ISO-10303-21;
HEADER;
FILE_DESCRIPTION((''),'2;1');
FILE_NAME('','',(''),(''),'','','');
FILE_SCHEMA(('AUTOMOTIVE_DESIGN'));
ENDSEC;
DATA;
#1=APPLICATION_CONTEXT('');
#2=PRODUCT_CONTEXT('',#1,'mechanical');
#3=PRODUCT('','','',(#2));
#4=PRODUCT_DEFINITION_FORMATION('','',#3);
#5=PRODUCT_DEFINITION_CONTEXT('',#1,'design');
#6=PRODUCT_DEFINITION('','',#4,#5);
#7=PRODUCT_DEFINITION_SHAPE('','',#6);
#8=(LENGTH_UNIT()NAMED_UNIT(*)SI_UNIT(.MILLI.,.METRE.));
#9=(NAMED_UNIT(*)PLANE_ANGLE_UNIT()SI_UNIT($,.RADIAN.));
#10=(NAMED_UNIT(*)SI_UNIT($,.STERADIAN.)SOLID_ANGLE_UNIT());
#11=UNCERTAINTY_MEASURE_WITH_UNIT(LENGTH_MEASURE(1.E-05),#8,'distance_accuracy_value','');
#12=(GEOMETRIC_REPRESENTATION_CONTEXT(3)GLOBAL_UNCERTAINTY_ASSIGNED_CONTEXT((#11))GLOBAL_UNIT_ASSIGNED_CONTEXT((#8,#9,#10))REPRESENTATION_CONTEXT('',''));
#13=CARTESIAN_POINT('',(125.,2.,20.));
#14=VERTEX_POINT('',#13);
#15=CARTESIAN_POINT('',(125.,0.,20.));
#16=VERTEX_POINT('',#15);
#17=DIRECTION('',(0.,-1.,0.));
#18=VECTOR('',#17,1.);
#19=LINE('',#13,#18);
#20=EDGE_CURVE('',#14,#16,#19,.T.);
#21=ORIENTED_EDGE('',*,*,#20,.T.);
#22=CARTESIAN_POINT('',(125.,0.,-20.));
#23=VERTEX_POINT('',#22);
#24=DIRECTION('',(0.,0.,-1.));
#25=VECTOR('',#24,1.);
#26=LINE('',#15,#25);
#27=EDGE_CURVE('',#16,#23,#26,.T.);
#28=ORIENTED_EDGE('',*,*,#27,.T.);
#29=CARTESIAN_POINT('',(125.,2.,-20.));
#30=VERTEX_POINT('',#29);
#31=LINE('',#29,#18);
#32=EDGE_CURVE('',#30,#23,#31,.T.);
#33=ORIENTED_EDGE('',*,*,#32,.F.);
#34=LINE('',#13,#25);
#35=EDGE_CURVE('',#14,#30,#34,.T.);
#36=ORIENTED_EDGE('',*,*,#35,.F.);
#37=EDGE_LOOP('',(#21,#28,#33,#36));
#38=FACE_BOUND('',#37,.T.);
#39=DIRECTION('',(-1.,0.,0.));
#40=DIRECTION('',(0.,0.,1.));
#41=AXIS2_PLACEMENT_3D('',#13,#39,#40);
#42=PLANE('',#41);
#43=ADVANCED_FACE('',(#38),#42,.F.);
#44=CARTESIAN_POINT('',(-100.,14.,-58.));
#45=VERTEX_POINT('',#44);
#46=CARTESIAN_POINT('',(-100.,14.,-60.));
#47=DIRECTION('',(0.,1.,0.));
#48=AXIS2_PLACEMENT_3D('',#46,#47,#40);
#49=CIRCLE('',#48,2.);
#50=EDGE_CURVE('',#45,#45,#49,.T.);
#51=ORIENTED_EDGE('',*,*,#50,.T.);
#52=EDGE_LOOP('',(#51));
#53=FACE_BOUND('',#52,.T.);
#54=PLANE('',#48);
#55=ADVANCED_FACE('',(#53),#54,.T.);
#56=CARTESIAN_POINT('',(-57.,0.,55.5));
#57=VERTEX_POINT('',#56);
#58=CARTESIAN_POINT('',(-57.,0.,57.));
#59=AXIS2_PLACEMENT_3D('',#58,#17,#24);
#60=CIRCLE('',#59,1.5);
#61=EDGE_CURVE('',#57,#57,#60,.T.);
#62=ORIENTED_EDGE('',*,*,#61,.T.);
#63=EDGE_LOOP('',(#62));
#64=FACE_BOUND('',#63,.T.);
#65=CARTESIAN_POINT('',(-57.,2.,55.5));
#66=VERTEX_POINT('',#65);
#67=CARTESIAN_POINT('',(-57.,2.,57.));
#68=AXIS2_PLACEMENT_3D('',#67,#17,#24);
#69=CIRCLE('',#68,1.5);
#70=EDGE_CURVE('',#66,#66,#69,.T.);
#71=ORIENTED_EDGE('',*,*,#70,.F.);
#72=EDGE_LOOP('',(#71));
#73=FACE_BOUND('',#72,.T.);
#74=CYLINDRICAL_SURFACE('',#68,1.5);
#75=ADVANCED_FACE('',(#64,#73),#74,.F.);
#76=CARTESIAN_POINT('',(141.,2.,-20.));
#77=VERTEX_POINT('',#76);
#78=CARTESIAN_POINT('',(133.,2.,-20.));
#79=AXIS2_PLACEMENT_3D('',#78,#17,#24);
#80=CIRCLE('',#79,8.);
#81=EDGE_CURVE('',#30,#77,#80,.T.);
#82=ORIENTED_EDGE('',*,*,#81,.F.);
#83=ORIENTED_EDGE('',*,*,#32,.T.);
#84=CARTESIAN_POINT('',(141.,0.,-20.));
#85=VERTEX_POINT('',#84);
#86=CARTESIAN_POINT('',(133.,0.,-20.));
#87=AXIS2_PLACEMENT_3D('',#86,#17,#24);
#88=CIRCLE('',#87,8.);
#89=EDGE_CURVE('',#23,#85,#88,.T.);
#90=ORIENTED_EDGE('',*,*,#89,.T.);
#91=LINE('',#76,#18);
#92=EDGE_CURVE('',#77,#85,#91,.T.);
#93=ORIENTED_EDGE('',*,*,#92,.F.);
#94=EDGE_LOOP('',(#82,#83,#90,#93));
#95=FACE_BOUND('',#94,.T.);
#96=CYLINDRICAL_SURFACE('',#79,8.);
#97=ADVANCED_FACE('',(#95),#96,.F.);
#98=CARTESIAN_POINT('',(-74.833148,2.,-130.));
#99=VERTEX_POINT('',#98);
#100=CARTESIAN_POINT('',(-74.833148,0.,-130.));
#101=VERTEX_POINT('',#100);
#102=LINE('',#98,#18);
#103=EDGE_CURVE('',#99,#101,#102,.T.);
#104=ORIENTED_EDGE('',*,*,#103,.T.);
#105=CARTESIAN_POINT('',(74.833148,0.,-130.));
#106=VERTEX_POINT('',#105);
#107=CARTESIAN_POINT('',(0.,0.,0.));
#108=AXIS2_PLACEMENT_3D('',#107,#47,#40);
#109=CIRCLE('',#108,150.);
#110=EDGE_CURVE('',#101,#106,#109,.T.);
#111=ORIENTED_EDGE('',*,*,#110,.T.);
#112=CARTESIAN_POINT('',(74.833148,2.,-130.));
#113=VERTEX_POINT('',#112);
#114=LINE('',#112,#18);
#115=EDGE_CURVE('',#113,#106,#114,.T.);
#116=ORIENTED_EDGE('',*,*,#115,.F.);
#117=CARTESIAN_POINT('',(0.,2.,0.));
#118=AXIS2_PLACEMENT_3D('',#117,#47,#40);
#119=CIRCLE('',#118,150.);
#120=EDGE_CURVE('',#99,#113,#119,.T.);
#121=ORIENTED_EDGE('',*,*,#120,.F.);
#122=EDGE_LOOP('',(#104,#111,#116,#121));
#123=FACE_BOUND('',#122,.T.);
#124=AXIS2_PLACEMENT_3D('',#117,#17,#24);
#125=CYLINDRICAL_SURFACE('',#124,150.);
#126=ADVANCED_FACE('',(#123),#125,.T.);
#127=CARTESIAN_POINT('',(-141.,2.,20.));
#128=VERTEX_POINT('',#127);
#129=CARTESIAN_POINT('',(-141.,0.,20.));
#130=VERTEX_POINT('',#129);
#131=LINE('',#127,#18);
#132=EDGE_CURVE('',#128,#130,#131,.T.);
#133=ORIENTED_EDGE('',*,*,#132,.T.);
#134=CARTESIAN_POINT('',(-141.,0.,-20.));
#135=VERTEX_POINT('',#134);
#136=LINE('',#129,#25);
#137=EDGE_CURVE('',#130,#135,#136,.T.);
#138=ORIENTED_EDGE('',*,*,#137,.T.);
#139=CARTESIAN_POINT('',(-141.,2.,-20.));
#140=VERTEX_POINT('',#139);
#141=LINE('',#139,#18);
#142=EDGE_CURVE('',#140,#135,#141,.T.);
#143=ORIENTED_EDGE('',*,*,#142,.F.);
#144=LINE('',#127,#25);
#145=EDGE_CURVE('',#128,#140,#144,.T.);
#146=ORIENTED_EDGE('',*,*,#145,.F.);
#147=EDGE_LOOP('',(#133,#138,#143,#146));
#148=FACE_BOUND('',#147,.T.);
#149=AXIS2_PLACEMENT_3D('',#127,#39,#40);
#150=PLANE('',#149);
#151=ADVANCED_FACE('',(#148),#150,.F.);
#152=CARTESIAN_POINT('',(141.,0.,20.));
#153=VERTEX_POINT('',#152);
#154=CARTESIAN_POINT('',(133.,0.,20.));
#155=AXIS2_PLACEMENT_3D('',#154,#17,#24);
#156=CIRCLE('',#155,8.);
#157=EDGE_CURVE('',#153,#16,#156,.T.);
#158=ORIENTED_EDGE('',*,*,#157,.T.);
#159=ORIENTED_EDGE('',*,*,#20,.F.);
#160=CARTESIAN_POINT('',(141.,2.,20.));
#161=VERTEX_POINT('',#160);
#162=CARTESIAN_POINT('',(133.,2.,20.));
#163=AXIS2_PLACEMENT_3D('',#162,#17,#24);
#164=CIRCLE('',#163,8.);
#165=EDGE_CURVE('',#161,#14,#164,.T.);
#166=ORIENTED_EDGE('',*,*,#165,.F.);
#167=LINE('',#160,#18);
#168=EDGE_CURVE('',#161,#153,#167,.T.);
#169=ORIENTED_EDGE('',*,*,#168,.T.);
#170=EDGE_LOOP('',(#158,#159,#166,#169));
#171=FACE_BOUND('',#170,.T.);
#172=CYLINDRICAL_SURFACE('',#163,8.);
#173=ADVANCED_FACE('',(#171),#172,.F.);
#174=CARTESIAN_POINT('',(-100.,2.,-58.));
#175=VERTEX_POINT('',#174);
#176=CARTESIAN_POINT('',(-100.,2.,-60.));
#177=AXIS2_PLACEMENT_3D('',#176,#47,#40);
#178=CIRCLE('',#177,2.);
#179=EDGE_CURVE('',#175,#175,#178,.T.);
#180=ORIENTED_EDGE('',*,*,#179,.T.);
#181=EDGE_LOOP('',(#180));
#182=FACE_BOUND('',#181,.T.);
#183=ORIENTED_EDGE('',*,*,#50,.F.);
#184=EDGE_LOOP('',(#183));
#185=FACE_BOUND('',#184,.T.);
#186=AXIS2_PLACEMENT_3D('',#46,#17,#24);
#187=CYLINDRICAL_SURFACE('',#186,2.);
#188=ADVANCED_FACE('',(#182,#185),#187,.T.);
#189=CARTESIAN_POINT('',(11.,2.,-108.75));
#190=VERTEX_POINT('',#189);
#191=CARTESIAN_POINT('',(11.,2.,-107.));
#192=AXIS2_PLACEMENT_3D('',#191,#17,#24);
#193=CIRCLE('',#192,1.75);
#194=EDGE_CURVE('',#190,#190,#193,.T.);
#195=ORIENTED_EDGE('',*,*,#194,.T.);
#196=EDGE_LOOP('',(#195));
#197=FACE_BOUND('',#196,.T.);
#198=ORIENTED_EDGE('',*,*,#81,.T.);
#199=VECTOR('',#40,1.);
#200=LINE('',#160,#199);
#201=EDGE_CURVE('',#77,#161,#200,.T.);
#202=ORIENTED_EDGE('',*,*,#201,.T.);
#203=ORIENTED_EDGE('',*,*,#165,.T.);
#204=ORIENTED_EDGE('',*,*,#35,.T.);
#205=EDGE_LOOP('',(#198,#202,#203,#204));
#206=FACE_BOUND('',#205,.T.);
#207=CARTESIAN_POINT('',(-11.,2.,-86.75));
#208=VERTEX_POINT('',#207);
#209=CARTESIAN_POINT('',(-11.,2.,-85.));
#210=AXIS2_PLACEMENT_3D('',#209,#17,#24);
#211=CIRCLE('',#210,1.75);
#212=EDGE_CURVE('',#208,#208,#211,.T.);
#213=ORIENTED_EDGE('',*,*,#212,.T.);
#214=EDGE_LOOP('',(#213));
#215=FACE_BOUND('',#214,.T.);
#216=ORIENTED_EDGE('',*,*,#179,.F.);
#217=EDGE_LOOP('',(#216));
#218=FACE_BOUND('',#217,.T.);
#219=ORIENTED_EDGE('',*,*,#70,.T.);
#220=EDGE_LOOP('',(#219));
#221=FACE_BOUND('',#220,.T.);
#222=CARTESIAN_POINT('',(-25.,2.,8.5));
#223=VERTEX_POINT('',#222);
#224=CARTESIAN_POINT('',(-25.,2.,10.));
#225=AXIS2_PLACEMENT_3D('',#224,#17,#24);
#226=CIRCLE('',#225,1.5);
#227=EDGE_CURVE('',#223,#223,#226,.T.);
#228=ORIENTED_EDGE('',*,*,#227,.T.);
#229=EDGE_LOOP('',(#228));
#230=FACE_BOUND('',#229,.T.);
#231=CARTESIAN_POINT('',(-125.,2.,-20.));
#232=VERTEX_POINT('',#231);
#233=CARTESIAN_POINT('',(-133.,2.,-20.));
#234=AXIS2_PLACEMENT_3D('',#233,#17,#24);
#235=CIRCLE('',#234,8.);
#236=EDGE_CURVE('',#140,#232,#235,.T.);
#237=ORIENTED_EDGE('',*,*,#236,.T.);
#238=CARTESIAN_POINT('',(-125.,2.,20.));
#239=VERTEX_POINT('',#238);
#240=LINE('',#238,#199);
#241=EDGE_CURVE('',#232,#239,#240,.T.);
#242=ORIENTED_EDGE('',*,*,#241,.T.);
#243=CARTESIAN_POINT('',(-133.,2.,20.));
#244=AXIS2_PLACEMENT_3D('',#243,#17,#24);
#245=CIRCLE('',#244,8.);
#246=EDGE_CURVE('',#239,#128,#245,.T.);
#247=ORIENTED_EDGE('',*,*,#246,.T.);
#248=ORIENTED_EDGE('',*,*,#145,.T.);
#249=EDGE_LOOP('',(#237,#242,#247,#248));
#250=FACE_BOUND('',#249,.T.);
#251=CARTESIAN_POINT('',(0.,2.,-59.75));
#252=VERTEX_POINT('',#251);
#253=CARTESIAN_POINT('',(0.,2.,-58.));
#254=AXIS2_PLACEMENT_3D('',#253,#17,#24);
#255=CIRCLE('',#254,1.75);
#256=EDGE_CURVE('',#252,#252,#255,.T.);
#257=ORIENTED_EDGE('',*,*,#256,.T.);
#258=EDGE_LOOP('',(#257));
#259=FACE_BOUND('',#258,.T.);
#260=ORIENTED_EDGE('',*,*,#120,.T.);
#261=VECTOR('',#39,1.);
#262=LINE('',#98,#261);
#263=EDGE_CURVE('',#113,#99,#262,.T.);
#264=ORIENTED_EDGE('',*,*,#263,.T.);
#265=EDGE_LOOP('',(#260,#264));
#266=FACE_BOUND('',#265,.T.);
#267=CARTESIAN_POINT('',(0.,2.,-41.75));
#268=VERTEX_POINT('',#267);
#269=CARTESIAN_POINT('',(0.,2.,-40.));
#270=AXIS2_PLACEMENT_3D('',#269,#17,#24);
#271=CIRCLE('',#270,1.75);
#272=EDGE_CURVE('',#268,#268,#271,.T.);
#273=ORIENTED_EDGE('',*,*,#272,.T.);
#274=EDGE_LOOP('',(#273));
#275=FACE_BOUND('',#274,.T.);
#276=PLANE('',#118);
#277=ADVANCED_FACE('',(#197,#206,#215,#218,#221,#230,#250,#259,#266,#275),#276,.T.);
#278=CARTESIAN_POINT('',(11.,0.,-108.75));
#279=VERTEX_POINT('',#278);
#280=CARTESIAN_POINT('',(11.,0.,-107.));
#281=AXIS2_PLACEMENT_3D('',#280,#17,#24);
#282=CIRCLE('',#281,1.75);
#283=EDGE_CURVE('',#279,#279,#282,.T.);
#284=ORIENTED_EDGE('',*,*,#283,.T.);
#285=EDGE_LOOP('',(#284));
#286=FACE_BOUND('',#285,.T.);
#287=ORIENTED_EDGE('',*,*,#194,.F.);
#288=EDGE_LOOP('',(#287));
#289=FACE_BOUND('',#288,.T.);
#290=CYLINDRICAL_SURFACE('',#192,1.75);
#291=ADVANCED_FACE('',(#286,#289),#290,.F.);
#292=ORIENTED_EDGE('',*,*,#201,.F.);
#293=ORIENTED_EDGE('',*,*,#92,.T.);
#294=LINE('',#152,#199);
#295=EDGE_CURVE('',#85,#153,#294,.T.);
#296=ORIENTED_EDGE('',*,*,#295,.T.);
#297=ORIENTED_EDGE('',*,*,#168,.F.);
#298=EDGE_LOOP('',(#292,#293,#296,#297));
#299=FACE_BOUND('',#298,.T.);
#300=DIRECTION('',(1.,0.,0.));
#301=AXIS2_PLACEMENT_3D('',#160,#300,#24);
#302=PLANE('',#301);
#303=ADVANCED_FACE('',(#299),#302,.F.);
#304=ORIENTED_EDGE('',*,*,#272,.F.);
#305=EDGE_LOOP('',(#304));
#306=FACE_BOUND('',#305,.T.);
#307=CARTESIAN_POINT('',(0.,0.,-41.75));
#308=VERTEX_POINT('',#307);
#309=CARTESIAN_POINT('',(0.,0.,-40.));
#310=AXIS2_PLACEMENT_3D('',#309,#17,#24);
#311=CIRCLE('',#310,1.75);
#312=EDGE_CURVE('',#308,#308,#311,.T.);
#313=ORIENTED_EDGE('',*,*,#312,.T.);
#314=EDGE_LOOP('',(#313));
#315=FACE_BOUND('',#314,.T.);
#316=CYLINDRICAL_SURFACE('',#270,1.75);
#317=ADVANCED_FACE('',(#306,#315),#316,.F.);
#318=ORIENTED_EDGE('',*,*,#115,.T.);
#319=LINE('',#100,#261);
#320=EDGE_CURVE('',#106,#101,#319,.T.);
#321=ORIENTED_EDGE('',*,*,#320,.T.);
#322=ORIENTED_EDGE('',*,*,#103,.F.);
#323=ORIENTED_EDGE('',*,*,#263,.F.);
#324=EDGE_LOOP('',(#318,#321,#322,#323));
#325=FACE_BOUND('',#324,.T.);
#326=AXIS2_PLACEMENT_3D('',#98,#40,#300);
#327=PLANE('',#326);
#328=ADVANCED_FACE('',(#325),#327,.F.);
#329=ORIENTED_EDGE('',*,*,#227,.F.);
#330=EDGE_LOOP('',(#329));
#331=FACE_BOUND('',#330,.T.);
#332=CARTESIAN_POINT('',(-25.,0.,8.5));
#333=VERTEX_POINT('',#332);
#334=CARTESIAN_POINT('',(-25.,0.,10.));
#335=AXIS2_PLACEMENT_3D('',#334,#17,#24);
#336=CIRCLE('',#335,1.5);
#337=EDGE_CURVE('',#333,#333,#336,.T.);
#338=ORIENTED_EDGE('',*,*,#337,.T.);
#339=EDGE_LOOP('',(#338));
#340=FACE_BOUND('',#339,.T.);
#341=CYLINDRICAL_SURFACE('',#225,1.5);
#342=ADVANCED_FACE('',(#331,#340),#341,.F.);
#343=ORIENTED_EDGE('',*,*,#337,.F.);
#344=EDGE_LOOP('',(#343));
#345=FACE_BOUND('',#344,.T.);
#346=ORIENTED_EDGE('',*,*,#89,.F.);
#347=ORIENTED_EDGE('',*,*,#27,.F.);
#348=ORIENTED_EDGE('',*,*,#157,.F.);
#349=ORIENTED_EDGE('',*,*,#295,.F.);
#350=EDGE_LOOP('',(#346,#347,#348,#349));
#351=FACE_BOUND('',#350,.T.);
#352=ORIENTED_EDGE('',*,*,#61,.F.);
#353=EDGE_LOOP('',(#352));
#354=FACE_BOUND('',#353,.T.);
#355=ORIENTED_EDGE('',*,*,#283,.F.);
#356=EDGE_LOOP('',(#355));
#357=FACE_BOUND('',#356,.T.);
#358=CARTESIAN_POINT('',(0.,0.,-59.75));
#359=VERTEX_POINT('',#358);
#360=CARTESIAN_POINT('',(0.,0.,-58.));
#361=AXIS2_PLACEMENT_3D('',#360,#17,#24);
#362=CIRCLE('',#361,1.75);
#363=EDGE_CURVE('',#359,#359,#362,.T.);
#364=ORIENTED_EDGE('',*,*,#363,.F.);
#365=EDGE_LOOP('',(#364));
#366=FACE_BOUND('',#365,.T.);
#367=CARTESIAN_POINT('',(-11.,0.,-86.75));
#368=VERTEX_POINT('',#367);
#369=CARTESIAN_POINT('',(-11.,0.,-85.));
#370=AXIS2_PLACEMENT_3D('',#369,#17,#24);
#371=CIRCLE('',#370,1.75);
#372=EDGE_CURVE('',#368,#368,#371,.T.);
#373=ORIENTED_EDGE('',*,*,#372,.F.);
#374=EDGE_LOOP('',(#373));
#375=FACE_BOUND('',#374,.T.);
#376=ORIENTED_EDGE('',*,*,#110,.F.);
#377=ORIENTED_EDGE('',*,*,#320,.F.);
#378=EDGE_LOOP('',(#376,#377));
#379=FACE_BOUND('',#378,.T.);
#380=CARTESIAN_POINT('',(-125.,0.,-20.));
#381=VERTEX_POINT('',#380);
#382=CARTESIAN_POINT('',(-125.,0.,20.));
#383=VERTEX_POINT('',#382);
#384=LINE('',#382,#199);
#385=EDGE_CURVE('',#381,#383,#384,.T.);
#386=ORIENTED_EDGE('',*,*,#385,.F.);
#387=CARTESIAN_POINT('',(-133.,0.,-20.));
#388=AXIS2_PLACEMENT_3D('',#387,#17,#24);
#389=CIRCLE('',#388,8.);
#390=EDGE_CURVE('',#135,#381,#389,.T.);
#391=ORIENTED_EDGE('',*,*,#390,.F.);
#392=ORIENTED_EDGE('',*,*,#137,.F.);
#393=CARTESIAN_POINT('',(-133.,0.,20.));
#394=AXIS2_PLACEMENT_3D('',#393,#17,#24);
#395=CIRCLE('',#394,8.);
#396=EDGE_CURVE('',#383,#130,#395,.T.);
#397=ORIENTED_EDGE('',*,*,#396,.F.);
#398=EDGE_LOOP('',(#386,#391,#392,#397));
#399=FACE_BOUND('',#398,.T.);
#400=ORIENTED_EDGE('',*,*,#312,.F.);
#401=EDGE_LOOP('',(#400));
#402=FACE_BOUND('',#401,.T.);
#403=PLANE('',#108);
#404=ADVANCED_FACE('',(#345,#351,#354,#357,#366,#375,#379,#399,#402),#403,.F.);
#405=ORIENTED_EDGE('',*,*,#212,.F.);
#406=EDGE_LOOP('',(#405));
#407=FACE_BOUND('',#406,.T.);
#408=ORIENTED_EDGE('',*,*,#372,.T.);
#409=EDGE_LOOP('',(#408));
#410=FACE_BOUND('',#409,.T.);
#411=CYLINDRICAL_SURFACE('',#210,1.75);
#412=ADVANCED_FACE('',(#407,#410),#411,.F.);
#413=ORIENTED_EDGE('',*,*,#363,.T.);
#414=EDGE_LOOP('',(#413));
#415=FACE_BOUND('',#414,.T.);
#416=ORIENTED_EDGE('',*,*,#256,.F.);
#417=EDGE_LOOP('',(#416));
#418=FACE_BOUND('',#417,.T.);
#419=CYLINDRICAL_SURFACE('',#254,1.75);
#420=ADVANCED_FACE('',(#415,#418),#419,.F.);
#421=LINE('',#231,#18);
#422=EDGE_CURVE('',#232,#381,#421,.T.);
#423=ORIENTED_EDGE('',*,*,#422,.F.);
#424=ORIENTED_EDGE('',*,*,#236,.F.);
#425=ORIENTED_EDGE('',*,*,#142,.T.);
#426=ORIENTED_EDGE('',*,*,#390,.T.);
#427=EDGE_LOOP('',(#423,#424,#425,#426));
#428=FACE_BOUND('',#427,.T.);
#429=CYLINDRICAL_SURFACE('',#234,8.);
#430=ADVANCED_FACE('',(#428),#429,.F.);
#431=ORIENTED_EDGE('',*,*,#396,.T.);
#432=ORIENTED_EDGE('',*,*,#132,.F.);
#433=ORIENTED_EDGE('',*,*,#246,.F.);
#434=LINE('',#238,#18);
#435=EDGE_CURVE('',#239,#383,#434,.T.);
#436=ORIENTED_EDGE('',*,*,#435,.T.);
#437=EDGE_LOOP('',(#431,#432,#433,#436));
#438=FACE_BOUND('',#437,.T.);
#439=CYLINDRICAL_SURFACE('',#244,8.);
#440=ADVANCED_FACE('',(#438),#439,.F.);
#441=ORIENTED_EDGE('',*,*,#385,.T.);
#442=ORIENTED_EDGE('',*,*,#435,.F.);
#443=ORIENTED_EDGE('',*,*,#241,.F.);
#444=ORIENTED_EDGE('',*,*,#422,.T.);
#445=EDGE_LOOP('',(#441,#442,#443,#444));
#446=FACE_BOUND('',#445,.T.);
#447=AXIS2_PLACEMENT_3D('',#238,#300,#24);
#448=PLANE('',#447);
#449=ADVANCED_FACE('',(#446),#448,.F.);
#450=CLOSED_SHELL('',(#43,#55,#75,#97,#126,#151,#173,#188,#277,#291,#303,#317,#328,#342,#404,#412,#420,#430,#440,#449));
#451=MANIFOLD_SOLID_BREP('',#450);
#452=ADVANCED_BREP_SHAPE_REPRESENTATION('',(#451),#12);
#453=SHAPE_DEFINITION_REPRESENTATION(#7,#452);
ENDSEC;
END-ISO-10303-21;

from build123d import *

# Parameters (mm, degrees)
BOSS_EXTRU_1_DEPTH      = 2
ESQUISSE3_R             = 1.5
ESQUISSE3_R_2           = 1.75
ENL_V_MAT_EXTRU_1_DEPTH = 213.141462237
ESQUISSE4_R             = 2
GOUJON_M4X12_DEPTH      = 12


with BuildPart() as part:
    # Esquisse2 → Boss.-Extru.1 (new body)
    with BuildSketch(Plane(origin=(0, 0, 0), x_dir=(1, 0, 0), z_dir=(0, 1, 0))):
        with BuildLine():
            Line((-74.833147735, 130), (74.833147735, 130))
            ThreePointArc((74.833147735, 130), (0, -150), (-74.833147735, 130))
        make_face()
    extrude(amount=BOSS_EXTRU_1_DEPTH)

    # Esquisse3 → Enlèv. mat.-Extru.1 (cut, through all)
    with BuildSketch(Plane(origin=(0, 0, 0), x_dir=(-1, 0, 0), z_dir=(0, -1, 0))):
        with Locations((25, -10)):
            Circle(ESQUISSE3_R)
        with Locations((57, -57)):
            Circle(ESQUISSE3_R)
        with Locations((0, 40)):
            Circle(ESQUISSE3_R_2)
        with Locations((0, 58)):
            Circle(ESQUISSE3_R_2)
        with Locations((-11, 107)):
            Circle(ESQUISSE3_R_2)
        with Locations((11, 85)):
            Circle(ESQUISSE3_R_2)
        with BuildLine():
            Line((125, -20), (125, 20))
            ThreePointArc((125, 20), (133, 28), (141, 20))
            Line((141, 20), (141, -20))
            ThreePointArc((141, -20), (133, -28), (125, -20))
        make_face()
        with BuildLine():
            Line((-141, -20), (-141, 20))
            ThreePointArc((-141, 20), (-133, 28), (-125, 20))
            Line((-125, 20), (-125, -20))
            ThreePointArc((-125, -20), (-133, -28), (-141, -20))
        make_face()
    extrude(amount=-ENL_V_MAT_EXTRU_1_DEPTH, mode=Mode.SUBTRACT)

    # Esquisse4 → Goujon M4x12 (add)
    with BuildSketch(Plane(origin=(0, 2, 0), x_dir=(1, 0, 0), z_dir=(0, 1, 0))):
        with Locations((-100, 60)):
            Circle(ESQUISSE4_R)
    extrude(amount=GOUJON_M4X12_DEPTH)


solid = part.part
